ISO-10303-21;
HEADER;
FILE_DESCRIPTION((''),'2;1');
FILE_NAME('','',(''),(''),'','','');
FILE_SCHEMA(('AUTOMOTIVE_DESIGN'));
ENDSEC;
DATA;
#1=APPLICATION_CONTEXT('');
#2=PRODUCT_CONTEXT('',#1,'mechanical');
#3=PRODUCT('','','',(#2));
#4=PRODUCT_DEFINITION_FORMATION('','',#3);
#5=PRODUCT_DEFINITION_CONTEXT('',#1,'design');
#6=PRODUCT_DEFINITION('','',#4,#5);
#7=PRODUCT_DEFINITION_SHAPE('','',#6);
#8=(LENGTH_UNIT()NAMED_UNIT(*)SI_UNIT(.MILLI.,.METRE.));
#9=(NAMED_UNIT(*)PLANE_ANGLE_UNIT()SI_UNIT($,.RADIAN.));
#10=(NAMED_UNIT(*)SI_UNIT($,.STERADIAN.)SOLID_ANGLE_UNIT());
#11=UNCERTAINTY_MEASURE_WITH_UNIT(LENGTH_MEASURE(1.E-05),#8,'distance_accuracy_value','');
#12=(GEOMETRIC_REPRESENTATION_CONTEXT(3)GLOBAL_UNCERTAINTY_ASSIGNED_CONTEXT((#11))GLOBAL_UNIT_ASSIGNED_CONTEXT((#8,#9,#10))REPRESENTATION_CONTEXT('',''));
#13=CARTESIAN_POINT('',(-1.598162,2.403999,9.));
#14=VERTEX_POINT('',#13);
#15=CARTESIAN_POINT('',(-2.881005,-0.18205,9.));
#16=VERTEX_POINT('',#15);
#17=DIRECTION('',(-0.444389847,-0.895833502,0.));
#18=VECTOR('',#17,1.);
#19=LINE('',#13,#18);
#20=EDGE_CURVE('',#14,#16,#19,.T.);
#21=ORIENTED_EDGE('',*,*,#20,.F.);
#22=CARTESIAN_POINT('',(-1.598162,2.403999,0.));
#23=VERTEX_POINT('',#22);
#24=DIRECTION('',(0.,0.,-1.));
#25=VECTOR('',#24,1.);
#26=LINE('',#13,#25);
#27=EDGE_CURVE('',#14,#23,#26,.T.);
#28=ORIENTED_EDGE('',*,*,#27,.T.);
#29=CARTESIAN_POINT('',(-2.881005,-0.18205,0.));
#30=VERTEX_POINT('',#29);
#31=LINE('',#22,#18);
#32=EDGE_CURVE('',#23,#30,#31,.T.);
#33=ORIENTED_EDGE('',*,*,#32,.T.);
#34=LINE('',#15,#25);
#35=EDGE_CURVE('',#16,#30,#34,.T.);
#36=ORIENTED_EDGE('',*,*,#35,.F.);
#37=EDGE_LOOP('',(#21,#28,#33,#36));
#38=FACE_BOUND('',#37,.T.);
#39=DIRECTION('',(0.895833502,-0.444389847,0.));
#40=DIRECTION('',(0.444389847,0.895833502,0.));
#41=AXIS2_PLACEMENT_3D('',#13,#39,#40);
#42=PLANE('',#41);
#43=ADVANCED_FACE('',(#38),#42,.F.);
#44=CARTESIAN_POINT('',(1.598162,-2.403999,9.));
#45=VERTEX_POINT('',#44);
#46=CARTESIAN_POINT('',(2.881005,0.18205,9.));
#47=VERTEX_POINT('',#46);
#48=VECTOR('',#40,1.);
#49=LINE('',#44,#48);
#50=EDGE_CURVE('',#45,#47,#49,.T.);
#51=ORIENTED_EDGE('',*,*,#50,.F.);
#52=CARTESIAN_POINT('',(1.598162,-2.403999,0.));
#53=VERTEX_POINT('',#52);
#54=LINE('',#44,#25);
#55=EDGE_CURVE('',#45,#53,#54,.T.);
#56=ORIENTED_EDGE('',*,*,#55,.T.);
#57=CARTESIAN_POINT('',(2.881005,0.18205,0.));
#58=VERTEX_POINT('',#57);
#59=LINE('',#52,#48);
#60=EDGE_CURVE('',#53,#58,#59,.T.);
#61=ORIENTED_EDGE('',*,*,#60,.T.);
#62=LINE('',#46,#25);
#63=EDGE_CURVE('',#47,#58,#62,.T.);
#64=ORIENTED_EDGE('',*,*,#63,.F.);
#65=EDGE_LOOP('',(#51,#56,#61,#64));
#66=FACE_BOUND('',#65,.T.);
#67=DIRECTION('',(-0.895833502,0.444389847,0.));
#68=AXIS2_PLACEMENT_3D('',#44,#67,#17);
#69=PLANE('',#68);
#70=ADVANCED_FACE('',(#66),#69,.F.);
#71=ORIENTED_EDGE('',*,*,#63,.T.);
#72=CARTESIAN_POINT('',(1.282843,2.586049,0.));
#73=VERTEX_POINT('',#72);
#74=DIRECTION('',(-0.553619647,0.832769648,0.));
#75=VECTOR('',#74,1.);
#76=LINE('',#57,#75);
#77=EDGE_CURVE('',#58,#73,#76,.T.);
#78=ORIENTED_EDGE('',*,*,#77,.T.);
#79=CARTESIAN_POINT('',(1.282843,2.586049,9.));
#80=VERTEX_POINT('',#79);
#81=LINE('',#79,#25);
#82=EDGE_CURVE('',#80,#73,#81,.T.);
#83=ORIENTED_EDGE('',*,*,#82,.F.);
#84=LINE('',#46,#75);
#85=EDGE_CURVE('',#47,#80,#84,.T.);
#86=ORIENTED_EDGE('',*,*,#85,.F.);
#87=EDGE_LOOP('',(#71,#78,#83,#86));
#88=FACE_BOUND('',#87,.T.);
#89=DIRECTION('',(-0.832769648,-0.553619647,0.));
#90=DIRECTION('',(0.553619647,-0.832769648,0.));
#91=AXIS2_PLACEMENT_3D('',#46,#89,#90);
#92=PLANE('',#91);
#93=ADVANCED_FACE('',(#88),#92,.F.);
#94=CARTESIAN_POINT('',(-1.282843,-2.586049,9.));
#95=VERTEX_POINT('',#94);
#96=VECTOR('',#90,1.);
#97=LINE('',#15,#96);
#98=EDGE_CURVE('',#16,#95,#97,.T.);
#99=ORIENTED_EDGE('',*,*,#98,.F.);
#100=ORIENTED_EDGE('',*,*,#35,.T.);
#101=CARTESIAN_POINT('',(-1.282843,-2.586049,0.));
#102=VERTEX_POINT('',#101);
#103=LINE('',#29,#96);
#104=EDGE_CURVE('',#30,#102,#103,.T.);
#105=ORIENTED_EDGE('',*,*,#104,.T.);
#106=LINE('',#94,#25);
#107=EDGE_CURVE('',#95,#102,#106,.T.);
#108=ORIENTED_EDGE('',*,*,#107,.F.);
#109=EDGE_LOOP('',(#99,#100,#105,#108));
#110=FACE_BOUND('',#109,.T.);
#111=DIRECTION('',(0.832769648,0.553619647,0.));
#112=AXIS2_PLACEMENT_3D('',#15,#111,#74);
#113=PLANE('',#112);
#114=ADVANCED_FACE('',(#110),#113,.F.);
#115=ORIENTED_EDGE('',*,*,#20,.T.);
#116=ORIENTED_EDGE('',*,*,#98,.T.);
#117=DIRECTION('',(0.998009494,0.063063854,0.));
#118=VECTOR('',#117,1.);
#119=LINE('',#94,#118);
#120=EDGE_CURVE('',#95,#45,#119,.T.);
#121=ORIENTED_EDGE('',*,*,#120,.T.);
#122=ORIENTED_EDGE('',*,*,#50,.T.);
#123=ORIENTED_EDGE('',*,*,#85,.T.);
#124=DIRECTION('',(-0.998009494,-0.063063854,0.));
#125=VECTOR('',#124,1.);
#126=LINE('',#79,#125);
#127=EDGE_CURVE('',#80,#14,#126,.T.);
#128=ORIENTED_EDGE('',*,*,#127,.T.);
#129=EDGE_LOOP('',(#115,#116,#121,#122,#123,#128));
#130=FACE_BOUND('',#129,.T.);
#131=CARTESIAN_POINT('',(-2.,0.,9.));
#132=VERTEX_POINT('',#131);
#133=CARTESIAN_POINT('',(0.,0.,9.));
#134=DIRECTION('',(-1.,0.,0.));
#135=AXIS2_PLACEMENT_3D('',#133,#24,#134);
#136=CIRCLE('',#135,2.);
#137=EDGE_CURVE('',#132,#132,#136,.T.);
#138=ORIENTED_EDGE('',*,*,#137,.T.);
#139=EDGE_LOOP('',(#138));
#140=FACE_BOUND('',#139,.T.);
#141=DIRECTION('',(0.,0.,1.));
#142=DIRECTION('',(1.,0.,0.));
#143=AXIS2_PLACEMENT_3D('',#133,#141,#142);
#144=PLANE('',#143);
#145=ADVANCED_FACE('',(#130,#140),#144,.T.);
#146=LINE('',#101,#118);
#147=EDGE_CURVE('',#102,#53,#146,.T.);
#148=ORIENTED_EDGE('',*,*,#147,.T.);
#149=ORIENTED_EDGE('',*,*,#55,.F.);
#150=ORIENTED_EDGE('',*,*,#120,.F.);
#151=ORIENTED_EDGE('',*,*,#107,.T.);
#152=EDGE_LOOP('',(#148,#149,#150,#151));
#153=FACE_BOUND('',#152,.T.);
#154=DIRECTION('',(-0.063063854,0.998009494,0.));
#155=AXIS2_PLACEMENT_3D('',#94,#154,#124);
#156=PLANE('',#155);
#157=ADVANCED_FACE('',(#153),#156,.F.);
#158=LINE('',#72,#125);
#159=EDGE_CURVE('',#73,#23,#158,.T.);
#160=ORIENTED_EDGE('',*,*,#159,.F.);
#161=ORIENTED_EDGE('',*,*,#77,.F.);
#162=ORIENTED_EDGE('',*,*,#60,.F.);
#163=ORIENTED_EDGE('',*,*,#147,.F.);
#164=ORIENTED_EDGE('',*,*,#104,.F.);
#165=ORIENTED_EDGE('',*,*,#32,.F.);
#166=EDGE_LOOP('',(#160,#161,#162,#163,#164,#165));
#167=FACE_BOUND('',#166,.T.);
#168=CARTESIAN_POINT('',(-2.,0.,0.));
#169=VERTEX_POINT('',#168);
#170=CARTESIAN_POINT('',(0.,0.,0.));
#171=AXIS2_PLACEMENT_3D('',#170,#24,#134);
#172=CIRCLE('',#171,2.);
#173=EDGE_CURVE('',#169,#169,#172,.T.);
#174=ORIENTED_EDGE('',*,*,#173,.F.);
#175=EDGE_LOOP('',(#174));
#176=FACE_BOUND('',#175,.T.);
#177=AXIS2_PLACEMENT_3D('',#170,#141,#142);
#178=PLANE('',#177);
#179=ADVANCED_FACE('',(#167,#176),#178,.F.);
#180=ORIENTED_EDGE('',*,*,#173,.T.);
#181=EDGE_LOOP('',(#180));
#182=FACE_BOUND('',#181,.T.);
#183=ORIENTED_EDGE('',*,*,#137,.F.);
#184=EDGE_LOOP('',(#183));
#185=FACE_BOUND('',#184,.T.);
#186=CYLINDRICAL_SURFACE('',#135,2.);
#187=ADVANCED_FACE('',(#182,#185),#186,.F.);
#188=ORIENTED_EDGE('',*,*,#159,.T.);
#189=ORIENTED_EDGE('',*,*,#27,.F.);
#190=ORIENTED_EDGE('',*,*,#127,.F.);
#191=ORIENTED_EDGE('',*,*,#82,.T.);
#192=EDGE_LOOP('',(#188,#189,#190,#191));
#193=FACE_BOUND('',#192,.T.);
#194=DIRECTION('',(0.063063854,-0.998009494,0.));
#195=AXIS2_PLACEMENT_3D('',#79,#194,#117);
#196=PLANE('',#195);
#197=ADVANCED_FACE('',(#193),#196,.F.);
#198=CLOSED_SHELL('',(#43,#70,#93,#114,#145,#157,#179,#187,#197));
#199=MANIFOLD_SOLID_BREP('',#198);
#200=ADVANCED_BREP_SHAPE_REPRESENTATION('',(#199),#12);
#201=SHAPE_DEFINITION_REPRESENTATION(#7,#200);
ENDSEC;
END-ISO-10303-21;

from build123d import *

# Parameters (mm, degrees)
EXTRUDE_1_DEPTH     = 9
SKETCH_2_R          = 2
CUT_EXTRUDE_1_DEPTH = 10


with BuildPart() as part:
    # 草图1 → 凸台-拉伸1 (new body)
    with BuildSketch(Plane.XY):
        Polygon((1.28284299, 2.586048568), (-1.59816226, 2.403998903), (-2.88100525, -0.182049665), (-1.28284299, -2.586048568), (1.59816226, -2.403998903), (2.88100525, 0.182049665), align=None)
    extrude(amount=EXTRUDE_1_DEPTH)

    # 草图2 → 切除-拉伸1 (cut, through all)
    with BuildSketch(Plane(origin=(0, 0, 0), x_dir=(-1, 0, 0), z_dir=(0, 0, -1))):
        Circle(SKETCH_2_R)
    extrude(amount=-CUT_EXTRUDE_1_DEPTH, mode=Mode.SUBTRACT)


solid = part.part
